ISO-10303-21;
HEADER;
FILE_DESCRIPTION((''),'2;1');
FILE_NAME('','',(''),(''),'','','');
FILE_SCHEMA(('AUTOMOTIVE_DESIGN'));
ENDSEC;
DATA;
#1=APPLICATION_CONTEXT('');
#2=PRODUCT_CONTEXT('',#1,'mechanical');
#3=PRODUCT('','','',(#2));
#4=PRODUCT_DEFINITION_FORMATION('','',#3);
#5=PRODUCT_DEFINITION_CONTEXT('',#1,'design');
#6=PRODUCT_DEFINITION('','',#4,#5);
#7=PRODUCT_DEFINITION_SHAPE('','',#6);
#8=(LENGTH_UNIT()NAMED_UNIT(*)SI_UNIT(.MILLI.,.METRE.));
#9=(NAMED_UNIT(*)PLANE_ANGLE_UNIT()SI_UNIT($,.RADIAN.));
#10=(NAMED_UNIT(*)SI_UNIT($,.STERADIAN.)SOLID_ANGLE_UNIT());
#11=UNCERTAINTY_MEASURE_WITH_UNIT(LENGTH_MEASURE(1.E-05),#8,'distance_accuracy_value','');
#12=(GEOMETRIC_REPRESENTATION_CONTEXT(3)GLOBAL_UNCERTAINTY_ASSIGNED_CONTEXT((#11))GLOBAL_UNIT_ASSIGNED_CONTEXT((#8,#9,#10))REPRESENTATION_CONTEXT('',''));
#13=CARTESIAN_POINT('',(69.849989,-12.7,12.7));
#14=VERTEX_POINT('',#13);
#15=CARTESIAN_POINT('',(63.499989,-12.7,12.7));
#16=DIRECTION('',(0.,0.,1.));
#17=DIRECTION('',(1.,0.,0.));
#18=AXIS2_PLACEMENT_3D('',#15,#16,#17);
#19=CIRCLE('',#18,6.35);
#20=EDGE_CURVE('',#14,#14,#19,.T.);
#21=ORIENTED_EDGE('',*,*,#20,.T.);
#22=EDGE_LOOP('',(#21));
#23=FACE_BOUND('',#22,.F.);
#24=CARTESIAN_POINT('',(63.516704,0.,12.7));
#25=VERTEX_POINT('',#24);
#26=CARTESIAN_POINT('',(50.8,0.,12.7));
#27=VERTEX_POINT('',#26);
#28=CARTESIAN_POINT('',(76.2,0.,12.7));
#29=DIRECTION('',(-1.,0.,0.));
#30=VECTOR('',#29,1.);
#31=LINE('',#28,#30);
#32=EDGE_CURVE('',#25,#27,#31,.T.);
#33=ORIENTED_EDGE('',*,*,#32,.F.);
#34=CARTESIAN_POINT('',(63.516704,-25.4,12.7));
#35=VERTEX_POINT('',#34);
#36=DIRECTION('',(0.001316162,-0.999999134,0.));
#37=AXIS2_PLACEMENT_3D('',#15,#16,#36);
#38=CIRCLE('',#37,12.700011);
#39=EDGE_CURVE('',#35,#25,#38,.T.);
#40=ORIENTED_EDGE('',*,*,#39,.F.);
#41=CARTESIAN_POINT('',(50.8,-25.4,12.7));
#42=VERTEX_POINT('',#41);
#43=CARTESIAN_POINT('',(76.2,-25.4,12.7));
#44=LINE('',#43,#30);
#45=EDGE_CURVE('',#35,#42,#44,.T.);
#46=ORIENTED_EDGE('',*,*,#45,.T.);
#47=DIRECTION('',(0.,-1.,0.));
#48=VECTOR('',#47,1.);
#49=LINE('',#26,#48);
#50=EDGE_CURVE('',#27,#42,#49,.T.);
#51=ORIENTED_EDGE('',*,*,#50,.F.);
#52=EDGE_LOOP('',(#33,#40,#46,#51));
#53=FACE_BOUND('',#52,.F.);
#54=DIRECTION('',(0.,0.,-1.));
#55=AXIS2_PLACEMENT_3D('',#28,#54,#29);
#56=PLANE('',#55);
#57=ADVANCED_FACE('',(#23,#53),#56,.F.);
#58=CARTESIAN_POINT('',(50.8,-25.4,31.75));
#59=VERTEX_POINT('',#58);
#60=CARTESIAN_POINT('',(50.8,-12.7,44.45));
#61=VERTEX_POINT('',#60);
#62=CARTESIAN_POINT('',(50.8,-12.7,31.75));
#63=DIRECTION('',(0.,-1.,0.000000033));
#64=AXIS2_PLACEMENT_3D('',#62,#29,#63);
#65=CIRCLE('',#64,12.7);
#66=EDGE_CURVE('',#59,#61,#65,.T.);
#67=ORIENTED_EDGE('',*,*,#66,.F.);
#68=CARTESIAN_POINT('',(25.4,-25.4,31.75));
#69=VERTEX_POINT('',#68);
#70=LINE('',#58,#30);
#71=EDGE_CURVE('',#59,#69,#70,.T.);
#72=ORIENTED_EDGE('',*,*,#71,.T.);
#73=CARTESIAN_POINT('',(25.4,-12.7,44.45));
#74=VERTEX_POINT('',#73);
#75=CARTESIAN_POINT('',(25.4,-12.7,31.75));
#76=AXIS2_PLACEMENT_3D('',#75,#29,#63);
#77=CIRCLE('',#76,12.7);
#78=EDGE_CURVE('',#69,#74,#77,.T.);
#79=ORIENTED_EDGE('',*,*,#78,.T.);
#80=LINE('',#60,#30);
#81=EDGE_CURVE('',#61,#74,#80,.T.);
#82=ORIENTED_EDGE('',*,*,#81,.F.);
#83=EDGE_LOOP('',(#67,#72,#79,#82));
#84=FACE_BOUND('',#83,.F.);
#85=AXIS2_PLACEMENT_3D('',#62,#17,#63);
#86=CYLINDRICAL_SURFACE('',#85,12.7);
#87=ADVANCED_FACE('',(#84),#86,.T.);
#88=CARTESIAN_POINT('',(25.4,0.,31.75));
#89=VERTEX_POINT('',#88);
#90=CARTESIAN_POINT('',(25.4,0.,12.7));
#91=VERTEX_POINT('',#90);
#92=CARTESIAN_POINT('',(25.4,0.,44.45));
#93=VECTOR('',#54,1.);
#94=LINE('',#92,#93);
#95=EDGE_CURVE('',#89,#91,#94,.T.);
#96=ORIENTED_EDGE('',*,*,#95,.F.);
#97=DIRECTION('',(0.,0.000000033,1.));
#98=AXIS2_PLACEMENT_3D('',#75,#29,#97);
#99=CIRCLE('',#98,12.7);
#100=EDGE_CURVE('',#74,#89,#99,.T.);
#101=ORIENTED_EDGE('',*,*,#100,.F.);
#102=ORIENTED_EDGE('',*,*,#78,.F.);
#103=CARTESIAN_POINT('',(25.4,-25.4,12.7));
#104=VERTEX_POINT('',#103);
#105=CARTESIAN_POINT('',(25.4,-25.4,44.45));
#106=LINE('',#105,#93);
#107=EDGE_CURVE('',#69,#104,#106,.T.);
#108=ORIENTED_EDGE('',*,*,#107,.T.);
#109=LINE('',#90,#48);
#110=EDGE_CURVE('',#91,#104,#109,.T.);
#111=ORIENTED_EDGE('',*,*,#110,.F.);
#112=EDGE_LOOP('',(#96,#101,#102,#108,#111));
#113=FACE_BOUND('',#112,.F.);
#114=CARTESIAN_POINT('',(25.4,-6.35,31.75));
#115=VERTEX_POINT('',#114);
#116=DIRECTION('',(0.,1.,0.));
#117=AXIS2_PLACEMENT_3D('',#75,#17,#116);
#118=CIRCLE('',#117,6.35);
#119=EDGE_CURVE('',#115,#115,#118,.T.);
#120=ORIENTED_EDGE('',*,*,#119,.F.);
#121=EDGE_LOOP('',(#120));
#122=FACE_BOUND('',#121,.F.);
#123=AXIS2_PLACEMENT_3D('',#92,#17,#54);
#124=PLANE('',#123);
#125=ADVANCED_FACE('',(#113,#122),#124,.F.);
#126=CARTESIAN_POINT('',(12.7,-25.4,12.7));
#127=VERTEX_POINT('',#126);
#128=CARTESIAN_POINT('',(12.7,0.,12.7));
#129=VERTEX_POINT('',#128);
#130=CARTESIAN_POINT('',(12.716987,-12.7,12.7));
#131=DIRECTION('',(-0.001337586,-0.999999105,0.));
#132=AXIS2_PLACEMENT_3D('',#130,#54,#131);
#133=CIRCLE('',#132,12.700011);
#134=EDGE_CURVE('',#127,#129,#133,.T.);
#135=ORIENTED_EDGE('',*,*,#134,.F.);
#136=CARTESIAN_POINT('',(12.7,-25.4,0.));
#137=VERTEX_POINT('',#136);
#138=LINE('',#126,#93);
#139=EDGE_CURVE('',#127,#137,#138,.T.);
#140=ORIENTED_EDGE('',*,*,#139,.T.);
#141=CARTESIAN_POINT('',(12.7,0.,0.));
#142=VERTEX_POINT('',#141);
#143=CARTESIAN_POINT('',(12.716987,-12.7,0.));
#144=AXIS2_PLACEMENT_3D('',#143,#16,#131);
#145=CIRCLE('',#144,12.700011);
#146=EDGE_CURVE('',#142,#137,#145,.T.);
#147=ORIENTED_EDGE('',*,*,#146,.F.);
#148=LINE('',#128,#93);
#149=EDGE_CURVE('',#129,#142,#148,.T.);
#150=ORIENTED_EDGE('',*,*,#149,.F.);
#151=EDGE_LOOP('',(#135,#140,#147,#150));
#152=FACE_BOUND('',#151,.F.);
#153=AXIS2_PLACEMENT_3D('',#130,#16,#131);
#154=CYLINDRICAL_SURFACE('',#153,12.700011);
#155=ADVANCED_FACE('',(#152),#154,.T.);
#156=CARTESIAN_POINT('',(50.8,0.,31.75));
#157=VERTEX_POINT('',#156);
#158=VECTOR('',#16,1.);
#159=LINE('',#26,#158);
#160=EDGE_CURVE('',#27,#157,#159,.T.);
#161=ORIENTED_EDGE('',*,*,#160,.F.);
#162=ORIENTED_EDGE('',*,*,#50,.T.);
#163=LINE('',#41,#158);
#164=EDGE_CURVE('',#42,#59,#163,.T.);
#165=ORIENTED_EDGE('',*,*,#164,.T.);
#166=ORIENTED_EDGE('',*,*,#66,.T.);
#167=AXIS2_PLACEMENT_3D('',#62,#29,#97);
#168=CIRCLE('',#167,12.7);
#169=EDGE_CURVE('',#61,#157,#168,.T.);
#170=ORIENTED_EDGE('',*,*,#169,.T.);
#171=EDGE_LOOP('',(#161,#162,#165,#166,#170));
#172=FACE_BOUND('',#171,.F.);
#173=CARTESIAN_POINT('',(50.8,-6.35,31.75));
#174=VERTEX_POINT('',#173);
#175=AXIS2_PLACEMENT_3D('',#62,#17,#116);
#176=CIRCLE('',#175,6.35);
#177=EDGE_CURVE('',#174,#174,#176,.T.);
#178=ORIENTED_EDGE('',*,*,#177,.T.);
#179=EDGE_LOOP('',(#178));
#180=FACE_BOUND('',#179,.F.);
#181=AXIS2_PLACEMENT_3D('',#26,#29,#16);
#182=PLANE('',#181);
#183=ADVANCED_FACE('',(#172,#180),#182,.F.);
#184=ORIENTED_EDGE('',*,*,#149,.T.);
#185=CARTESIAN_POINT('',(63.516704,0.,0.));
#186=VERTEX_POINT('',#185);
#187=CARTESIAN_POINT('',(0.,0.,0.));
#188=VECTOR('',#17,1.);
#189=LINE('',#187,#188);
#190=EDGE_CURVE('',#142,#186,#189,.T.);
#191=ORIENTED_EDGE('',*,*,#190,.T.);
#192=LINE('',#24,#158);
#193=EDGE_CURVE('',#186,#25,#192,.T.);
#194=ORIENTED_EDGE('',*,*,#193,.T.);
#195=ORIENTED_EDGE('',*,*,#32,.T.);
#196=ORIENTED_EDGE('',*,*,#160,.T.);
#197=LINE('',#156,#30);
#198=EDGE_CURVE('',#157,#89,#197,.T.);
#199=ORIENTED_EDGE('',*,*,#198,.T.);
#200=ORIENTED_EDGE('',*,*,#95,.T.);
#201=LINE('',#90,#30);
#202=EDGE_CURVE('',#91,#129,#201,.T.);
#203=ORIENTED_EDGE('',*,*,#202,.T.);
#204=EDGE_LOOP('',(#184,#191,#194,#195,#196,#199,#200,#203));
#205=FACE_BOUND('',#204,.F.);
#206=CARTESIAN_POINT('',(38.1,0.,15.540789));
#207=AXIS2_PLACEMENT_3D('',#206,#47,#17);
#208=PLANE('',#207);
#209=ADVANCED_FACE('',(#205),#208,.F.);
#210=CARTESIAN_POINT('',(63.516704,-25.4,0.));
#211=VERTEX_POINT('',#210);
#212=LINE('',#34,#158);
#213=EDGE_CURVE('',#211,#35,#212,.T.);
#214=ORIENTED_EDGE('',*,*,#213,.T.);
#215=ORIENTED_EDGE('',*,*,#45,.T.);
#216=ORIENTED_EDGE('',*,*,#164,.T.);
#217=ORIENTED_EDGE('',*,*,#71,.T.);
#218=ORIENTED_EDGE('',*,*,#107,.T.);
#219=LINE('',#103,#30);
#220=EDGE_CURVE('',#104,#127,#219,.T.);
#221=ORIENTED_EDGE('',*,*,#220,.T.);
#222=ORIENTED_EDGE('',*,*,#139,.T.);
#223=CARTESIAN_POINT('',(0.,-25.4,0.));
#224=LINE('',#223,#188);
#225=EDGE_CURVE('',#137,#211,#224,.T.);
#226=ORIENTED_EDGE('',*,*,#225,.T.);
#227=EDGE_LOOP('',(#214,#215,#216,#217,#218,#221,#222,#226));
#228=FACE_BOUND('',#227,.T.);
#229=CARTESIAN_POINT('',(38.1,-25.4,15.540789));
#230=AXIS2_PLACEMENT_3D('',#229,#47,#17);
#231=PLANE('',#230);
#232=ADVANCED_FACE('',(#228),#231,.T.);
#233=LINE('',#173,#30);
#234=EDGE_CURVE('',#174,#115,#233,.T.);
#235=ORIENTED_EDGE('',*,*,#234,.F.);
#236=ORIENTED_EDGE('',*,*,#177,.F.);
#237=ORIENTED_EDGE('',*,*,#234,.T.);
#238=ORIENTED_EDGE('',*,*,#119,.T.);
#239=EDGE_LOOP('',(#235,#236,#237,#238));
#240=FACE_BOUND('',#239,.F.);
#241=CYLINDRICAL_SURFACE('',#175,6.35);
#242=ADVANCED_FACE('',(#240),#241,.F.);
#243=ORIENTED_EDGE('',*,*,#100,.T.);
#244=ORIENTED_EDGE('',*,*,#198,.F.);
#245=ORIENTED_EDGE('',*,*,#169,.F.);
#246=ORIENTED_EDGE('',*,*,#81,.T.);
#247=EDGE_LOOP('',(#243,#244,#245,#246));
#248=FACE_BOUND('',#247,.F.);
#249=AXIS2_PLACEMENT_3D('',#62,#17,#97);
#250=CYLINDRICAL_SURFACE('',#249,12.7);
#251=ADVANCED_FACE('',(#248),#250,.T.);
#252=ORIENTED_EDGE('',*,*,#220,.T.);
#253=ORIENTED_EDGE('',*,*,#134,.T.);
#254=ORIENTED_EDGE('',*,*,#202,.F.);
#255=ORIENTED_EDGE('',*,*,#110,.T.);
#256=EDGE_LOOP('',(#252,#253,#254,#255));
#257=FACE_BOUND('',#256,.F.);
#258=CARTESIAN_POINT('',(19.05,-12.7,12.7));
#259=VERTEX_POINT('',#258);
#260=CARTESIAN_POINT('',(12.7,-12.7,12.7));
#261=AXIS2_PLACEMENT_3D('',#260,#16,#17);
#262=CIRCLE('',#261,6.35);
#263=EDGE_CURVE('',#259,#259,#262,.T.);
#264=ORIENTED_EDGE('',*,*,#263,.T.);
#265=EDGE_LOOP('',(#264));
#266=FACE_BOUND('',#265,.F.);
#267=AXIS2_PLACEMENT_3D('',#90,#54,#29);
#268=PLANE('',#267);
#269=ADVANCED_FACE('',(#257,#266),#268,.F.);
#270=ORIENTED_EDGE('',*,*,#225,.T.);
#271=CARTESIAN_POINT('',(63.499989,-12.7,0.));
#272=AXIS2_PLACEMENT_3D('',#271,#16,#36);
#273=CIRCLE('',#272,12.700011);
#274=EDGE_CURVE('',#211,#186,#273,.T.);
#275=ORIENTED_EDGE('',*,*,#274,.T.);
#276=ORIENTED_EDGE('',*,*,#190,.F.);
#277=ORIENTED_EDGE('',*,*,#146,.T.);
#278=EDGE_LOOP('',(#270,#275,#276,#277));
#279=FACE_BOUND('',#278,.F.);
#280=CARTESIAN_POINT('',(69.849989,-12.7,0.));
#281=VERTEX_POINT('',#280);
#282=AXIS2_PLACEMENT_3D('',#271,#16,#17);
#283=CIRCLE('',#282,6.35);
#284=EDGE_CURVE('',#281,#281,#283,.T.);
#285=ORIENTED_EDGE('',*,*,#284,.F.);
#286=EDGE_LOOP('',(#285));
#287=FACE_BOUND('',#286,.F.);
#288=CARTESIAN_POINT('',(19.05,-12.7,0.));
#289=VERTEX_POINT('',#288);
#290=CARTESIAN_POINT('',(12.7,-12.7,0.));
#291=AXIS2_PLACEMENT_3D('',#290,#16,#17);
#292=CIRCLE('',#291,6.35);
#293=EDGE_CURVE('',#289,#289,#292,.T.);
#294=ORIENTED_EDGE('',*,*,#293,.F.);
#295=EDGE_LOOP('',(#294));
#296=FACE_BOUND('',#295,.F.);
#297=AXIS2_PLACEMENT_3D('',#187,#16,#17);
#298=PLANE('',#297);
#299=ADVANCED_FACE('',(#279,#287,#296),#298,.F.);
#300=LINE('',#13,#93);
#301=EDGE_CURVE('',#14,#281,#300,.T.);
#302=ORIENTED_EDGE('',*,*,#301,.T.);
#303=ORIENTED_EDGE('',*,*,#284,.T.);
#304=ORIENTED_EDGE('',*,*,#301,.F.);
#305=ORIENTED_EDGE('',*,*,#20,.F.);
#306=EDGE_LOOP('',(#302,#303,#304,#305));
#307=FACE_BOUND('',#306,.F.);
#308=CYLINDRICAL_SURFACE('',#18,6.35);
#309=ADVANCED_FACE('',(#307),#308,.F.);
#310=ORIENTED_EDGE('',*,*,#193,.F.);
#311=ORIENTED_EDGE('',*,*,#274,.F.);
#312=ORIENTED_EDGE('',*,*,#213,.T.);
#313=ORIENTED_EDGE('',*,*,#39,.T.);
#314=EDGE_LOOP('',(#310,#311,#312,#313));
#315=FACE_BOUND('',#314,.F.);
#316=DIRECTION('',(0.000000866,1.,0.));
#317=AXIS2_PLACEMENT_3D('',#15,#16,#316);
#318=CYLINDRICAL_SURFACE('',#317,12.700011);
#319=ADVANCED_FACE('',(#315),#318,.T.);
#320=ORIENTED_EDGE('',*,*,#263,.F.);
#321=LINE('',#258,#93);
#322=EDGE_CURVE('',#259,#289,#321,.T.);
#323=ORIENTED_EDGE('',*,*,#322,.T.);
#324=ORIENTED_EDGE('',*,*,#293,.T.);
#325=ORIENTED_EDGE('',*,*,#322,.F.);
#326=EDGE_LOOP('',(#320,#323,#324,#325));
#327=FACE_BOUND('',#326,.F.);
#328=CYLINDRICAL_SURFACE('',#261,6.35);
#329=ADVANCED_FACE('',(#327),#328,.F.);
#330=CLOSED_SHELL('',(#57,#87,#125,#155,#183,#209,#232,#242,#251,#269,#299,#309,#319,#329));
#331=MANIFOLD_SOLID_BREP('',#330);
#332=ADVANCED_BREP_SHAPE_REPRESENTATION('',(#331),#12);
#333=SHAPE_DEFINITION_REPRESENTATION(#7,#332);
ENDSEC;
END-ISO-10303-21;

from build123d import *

# Parameters (mm, degrees)
F1_DEPTH = 25.4
F2_R     = 6.35
F3_DEPTH = 25.4
F4_R     = 6.35
F5_DEPTH = 25.4


with BuildPart() as f1:
    # F0 (on Front) → F1 (new body)
    with BuildSketch(Plane.XZ):
        Polygon((0, 12.7), (0, 0), (76.2, 0), (76.2, 12.7), (50.8, 12.7), (50.8, 44.45), (25.4, 44.45), (25.4, 12.7), align=None)
    extrude(amount=F1_DEPTH)

    # F2 (on face) → F3 (cut)
    with BuildSketch(Plane.YZ.offset(50.8)):
        with BuildLine():
            ThreePointArc((-25.4, 31.75), (-21.680256, 40.730256), (-12.7, 44.45))
            Line((-12.7, 44.45), (-25.4, 44.45))
            Line((-25.4, 44.45), (-25.4, 31.75))
        make_face()
        with BuildLine():
            ThreePointArc((-12.7, 44.45), (-3.719744, 40.730256), (0, 31.75))
            Line((0, 31.75), (0, 44.45))
            Line((0, 44.45), (-12.7, 44.45))
        make_face()
        with Locations((-12.7, 31.75)):
            Circle(F2_R)
    extrude(amount=-F3_DEPTH, mode=Mode.SUBTRACT)

    # F4 (on face) → F5 (cut)
    with BuildSketch(Plane.XY.offset(12.7)):
        with Locations((63.499989, -12.7)):
            Circle(F4_R)
        with Locations((12.7, -12.7)):
            Circle(F4_R)
        with BuildLine():
            ThreePointArc((63.5, 1.1e-05), (76.2, -12.7), (63.5, -25.400011))
            Line((63.5, -25.400011), (94.457269, -25.400011))
            Line((94.457269, -25.400011), (94.457269, 0))
            Line((94.457269, 0), (63.5, 1.1e-05))
        make_face()
        with BuildLine():
            ThreePointArc((12.7, -25.4), (0.016976, -12.7), (12.7, 0))
            Line((12.7, 0), (0, 0))
            Line((0, 0), (0, -25.4))
            Line((0, -25.4), (12.7, -25.4))
        make_face()
    extrude(amount=-F5_DEPTH, mode=Mode.SUBTRACT)


solid = f1.part
